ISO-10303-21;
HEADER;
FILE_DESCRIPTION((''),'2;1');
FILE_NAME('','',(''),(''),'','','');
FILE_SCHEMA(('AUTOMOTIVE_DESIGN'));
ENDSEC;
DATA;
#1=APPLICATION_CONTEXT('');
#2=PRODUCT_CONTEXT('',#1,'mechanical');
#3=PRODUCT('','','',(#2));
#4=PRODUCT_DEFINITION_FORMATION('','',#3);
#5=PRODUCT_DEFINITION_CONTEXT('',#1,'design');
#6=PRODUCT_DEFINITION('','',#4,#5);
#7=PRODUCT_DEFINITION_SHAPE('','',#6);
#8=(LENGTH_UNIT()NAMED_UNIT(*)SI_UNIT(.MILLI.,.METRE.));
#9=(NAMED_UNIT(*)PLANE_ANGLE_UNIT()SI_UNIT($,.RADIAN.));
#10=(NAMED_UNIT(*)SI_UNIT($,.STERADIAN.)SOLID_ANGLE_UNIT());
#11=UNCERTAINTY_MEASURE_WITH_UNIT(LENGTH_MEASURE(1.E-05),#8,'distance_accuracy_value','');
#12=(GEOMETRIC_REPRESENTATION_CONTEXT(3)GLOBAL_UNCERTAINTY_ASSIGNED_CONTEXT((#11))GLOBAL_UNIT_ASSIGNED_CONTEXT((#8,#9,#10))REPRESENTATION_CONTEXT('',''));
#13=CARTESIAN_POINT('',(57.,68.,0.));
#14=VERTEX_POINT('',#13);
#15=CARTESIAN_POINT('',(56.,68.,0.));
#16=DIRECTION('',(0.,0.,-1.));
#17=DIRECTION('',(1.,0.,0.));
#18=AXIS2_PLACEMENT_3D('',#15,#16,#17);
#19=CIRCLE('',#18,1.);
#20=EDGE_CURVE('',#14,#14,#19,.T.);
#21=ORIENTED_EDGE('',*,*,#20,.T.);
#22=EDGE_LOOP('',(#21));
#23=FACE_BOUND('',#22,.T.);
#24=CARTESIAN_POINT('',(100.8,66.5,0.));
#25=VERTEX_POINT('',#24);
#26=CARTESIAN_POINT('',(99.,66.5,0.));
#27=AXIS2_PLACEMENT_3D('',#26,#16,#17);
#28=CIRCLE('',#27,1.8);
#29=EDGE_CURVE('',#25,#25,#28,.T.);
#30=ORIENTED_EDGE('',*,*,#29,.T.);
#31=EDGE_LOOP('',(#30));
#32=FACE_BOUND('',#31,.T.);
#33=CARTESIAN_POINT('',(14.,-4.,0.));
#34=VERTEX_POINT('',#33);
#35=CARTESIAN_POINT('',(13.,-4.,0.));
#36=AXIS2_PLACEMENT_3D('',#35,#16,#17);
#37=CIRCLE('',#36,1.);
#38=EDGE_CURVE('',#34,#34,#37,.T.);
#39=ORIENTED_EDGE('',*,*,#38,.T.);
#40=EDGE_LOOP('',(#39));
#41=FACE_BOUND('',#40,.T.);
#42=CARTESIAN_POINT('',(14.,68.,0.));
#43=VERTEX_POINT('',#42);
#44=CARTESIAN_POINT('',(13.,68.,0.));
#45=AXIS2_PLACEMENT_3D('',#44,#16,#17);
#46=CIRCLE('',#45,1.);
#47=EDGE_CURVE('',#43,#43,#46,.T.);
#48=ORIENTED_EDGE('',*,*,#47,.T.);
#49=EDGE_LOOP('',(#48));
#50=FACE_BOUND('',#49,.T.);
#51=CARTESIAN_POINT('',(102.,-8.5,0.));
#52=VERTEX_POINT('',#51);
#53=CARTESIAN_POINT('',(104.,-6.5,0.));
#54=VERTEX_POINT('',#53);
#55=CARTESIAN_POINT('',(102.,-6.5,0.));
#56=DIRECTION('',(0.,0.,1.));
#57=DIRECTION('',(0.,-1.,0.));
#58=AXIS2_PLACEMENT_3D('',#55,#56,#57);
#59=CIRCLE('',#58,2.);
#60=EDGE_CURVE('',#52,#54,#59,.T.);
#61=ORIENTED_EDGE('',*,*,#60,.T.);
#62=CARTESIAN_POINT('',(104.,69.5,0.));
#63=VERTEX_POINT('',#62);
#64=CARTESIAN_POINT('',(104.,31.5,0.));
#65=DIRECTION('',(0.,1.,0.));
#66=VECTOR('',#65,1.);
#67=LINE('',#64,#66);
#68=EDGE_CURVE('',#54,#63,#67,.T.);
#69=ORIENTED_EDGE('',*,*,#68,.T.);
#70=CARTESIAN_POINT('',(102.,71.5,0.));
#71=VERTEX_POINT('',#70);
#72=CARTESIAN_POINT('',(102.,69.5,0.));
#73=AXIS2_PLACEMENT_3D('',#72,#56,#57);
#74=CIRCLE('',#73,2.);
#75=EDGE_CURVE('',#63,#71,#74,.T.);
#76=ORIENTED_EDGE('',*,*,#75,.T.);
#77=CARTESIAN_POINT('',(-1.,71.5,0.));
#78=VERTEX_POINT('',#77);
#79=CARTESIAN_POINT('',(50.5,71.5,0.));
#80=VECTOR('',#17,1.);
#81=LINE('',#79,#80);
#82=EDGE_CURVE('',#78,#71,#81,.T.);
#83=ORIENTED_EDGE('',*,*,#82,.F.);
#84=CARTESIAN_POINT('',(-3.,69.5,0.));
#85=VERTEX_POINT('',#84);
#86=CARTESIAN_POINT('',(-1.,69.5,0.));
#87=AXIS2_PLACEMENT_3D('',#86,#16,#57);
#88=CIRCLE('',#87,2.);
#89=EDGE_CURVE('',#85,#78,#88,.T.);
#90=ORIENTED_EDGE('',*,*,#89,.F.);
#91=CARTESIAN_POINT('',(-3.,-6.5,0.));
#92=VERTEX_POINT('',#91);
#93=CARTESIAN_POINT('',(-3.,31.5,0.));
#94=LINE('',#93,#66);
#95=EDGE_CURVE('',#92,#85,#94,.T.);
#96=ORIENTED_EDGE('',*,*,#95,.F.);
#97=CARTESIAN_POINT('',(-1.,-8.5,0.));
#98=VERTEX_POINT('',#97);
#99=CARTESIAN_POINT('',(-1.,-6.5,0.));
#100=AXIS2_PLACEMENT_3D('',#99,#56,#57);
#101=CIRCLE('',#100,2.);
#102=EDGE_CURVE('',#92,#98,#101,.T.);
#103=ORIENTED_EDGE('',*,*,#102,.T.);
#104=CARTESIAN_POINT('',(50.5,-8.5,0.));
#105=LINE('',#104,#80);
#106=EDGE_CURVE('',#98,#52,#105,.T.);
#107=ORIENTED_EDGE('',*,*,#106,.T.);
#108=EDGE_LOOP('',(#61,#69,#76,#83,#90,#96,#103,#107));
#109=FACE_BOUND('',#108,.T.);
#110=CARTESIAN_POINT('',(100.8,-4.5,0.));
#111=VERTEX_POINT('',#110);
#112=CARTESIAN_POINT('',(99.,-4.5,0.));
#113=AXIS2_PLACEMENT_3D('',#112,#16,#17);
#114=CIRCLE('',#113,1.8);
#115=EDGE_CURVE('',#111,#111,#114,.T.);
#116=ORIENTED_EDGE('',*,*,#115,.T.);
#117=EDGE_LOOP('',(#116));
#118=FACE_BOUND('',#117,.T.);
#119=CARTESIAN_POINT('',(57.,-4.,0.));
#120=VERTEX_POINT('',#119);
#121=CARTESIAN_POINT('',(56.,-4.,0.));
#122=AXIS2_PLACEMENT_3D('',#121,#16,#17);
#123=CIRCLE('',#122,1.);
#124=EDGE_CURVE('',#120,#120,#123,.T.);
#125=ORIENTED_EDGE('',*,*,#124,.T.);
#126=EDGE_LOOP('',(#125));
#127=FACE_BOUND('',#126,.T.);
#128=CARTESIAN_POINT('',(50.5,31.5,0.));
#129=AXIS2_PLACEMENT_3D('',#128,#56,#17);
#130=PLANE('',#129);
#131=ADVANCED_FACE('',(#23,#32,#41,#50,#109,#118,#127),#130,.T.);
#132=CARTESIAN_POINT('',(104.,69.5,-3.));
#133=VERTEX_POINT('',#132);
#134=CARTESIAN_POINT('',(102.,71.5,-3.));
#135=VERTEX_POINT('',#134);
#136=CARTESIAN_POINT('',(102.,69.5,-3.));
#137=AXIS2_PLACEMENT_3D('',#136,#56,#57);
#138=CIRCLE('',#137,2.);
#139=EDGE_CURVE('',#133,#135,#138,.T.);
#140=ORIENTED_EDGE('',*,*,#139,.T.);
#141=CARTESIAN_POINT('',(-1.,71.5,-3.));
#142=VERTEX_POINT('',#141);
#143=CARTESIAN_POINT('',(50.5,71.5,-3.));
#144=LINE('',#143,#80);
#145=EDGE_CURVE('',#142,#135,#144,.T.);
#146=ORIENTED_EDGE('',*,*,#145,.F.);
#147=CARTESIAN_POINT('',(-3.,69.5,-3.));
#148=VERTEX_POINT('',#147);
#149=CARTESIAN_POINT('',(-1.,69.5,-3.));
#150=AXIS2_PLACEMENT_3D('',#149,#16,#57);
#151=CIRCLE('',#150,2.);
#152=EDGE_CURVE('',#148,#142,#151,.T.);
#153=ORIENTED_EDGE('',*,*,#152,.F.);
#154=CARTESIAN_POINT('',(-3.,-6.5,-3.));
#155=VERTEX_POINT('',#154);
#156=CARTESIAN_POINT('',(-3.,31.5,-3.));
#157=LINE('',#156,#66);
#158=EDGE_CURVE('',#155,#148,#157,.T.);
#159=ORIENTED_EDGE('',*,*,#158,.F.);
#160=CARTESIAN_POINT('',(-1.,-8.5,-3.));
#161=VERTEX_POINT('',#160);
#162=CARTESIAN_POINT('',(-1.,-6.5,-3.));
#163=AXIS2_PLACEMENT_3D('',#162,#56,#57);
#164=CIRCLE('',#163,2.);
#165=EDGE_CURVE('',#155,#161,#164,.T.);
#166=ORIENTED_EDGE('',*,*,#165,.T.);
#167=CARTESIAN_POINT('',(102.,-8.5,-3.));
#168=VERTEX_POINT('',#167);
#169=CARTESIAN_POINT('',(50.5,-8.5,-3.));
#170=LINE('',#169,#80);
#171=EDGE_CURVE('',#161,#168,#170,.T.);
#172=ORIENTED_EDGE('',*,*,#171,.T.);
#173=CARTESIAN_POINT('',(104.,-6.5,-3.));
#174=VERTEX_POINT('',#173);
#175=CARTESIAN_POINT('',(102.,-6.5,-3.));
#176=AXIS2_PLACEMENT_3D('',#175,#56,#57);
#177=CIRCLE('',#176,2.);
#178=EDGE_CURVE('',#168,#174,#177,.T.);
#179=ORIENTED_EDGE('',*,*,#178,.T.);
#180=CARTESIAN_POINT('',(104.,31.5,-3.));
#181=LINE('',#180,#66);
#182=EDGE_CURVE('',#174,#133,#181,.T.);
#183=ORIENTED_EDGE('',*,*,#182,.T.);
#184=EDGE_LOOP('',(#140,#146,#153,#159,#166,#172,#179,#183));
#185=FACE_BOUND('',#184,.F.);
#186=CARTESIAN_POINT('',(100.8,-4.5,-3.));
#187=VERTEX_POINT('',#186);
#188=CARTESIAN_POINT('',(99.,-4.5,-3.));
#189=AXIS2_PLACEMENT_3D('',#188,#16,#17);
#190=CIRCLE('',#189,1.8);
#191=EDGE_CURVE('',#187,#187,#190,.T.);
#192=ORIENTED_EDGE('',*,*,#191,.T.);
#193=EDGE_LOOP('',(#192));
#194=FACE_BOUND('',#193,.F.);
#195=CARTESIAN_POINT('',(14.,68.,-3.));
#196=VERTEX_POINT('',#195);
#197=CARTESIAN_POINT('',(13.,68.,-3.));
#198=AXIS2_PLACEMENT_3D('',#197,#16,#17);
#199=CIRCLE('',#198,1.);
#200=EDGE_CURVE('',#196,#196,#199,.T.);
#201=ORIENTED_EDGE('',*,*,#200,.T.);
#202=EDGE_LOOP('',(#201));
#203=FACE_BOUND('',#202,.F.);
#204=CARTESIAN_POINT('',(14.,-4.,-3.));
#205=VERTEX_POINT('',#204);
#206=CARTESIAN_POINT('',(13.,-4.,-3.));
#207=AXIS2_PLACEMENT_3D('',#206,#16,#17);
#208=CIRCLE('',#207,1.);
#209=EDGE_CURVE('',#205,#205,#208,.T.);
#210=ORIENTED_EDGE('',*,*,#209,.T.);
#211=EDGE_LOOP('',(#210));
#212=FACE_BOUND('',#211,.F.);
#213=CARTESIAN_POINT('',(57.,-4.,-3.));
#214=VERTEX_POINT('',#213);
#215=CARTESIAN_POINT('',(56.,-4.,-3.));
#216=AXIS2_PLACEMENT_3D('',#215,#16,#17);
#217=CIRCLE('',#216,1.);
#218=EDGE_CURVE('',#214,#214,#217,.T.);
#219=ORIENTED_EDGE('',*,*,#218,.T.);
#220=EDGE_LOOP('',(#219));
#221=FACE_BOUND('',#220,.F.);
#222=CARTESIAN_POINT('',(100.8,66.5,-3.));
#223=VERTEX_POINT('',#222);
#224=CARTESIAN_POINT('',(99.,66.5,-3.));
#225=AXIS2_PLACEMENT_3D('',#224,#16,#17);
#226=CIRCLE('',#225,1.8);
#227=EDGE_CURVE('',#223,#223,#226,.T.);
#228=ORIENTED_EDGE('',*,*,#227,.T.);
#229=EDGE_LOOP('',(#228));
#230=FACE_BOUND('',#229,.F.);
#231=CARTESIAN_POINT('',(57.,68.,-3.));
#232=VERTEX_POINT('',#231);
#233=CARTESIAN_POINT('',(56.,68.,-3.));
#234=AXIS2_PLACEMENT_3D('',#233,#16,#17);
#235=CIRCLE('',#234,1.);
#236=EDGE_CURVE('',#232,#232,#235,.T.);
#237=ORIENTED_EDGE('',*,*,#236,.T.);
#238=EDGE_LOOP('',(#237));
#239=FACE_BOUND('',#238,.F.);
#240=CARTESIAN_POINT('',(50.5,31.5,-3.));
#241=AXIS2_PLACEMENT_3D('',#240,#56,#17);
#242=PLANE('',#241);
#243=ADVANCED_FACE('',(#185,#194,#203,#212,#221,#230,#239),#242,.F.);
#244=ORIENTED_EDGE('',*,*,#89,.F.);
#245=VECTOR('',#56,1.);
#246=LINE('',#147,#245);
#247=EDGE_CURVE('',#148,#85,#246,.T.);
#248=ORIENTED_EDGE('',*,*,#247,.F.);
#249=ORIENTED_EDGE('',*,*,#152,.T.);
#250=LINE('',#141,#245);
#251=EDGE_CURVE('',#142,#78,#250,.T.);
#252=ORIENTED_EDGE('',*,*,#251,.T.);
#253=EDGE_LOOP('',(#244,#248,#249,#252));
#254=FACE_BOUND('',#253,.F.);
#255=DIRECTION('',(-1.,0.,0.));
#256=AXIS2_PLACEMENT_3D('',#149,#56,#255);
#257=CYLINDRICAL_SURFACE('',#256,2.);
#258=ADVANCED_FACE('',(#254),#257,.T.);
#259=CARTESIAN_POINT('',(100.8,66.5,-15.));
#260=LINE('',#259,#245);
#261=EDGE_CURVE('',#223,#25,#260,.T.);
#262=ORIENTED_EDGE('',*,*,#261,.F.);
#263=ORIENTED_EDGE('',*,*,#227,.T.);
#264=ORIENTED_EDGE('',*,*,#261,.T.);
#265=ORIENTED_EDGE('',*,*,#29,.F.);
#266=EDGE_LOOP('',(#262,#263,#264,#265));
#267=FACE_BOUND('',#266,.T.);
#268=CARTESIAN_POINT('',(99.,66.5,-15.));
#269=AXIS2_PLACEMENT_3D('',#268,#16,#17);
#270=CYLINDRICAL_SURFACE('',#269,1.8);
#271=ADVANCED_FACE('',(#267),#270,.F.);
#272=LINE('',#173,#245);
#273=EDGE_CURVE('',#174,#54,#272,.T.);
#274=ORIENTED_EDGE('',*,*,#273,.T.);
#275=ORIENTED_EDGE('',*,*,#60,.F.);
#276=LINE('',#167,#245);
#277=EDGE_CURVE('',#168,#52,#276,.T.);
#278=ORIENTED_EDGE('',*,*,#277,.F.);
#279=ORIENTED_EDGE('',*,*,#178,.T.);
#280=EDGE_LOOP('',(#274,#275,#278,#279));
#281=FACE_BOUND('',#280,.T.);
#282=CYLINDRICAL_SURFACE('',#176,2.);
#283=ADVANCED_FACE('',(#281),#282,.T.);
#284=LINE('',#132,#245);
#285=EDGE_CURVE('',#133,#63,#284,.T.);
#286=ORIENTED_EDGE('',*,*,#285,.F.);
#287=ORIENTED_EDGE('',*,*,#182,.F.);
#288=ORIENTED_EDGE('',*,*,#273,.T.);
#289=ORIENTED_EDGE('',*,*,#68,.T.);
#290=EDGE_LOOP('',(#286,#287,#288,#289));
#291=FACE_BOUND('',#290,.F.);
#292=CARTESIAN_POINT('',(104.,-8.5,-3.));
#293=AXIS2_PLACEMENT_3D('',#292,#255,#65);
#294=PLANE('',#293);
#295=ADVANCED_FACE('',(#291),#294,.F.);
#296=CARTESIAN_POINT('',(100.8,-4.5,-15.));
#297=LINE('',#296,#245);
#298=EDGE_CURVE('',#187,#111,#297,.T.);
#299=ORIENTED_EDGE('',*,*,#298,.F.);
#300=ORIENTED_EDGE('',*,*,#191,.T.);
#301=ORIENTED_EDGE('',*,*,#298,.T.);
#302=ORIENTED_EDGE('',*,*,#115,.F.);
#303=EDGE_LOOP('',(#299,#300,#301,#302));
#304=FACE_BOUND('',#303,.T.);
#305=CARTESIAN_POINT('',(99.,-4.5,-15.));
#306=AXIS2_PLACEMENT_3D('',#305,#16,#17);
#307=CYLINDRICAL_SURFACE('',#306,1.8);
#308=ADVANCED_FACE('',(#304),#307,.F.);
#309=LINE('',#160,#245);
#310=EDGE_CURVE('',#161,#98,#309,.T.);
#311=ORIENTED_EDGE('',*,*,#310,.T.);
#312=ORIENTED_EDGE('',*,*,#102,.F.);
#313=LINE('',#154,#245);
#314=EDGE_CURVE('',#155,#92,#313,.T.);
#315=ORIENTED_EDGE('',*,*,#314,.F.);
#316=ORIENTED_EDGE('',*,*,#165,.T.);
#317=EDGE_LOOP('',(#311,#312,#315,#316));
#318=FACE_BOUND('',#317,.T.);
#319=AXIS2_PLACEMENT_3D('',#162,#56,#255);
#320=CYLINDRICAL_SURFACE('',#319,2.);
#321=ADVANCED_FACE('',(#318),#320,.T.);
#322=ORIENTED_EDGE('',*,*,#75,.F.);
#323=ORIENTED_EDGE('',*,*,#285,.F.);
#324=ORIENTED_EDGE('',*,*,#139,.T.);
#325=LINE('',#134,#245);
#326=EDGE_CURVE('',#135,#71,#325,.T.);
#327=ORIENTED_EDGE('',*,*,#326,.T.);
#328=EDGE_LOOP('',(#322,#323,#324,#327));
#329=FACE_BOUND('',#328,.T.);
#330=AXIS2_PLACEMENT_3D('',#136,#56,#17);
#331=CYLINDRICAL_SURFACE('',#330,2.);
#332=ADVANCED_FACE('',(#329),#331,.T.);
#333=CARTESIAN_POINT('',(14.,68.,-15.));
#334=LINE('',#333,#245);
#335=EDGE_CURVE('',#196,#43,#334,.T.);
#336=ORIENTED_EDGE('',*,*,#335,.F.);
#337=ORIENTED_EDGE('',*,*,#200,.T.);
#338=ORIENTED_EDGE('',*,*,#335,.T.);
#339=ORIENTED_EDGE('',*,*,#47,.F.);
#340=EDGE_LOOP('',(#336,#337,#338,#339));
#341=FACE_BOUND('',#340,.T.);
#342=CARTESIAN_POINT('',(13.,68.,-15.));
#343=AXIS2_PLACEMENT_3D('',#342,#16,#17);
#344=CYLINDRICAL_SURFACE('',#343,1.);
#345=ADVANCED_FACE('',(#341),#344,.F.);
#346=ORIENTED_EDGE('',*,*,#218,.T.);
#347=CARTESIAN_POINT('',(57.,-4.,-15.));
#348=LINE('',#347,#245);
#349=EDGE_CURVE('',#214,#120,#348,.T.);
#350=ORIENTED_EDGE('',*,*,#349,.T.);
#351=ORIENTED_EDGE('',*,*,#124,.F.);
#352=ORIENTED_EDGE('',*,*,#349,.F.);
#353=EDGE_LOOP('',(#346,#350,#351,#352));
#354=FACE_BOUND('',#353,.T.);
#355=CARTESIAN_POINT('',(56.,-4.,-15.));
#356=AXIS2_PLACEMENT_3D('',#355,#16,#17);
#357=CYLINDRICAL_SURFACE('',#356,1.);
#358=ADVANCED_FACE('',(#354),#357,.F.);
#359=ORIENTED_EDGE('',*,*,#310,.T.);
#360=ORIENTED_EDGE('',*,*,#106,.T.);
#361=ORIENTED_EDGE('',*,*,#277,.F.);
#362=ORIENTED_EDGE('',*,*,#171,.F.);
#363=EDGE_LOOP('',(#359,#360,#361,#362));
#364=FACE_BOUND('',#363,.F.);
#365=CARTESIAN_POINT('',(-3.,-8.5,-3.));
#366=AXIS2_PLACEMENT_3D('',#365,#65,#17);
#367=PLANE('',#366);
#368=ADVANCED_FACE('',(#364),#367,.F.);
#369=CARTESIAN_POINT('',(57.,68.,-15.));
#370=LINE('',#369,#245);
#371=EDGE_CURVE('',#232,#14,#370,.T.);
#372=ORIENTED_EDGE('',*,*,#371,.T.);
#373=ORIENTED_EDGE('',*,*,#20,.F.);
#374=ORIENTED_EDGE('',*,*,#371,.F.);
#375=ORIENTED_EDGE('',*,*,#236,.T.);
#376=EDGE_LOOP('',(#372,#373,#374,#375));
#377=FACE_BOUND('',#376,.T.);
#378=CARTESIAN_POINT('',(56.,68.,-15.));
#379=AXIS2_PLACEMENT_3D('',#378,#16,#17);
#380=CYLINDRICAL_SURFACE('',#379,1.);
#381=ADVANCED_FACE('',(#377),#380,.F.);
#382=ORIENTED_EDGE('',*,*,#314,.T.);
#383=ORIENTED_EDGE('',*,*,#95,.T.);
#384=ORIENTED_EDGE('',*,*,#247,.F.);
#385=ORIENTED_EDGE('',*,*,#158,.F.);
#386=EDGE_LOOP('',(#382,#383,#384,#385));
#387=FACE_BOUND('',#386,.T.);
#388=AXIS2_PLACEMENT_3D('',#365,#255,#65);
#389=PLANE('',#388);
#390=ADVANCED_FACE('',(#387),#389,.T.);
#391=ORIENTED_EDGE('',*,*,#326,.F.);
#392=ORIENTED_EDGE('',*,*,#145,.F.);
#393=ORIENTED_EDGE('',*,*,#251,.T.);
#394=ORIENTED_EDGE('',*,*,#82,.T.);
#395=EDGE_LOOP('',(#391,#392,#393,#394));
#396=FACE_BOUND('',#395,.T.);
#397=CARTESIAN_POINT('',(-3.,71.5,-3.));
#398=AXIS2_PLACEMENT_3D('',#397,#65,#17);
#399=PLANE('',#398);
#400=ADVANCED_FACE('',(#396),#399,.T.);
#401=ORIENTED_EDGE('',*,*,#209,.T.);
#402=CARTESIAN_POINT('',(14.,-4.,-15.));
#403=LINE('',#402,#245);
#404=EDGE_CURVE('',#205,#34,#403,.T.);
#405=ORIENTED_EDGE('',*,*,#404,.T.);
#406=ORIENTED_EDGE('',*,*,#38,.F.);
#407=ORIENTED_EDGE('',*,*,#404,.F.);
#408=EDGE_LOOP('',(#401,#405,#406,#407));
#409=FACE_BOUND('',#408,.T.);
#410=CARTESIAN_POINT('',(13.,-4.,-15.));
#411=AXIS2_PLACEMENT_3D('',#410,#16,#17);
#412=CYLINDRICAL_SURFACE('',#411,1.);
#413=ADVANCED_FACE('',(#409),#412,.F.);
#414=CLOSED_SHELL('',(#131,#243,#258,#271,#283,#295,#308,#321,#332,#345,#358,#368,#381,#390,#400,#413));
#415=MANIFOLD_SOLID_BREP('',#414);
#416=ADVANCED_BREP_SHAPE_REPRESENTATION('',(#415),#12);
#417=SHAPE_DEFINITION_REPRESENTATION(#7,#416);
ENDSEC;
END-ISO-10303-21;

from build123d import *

# Parameters (mm, degrees)
CYLINDER003_R     = 1.8
CYLINDER003_DEPTH = 40
ARRAY004_Y_COUNT  = 2
ARRAY004_Y_PITCH  = 71
CYLINDER002_R     = 1
CYLINDER002_DEPTH = 100
ARRAY003_X_COUNT  = 2
ARRAY003_X_PITCH  = 43
ARRAY003_Y_COUNT  = 2
ARRAY003_Y_PITCH  = 72
BOX004_W          = 107
BOX004_H          = 80
BOX004_DEPTH      = 3
FILLET001_R       = 2


with BuildPart() as body_corners:
    # Cylinder003 → Cylinder003 (new body)
    with BuildSketch(Plane(origin=(99, -4.5, -15), x_dir=(1, 0, 0), z_dir=(0, 0, 1))):
        Circle(CYLINDER003_R)
    extrude(amount=CYLINDER003_DEPTH)

    # Array004 Y: Body corners ×2


with BuildPart() as body_corners_1:
    add(body_corners.part)
    with Locations(*[(0, i * ARRAY004_Y_PITCH, 0) for i in range(1, ARRAY004_Y_COUNT)]):
        add(body_corners.part)


with BuildPart() as fusion002:
    # Cylinder002 → Cylinder002 (new body)
    with BuildSketch(Plane(origin=(13, -4, -15), x_dir=(1, 0, 0), z_dir=(0, 0, 1))):
        Circle(CYLINDER002_R)
    extrude(amount=CYLINDER002_DEPTH)

    # Array003 X: Fusion002 ×2


with BuildPart() as fusion002_1:
    add(fusion002.part)
    with Locations(*[(i * ARRAY003_X_PITCH, 0, 0) for i in range(1, ARRAY003_X_COUNT)]):
        add(fusion002.part)

    # Array003 Y: Fusion002 ×2


with BuildPart() as fusion002_2:
    add(fusion002_1.part)
    with Locations(*[(0, i * ARRAY003_Y_PITCH, 0) for i in range(1, ARRAY003_Y_COUNT)]):
        add(fusion002_1.part)

    # Fusion002: union Body corners
    add(body_corners_1.part)


with BuildPart() as body006:
    # Box004 → Box004 (new body)
    with BuildSketch(Plane(origin=(-3, -8.5, -3), x_dir=(1, 0, 0), z_dir=(0, 0, 1))):
        with Locations((53.5, 40)):
            Rectangle(BOX004_W, BOX004_H)
    extrude(amount=BOX004_DEPTH)

    # Fillet001
    fillet001_edges = [body006.edges().sort_by_distance(p)[0] for p in [
        (-3, -8.5, -1.5),
        (-3, 71.5, -1.5),
        (104, -8.5, -1.5),
        (104, 71.5, -1.5),
    ]]
    fillet(fillet001_edges, radius=FILLET001_R)

    # Cut002: cut Fusion002
    add(fusion002_2.part, mode=Mode.SUBTRACT)


solid = body006.part
